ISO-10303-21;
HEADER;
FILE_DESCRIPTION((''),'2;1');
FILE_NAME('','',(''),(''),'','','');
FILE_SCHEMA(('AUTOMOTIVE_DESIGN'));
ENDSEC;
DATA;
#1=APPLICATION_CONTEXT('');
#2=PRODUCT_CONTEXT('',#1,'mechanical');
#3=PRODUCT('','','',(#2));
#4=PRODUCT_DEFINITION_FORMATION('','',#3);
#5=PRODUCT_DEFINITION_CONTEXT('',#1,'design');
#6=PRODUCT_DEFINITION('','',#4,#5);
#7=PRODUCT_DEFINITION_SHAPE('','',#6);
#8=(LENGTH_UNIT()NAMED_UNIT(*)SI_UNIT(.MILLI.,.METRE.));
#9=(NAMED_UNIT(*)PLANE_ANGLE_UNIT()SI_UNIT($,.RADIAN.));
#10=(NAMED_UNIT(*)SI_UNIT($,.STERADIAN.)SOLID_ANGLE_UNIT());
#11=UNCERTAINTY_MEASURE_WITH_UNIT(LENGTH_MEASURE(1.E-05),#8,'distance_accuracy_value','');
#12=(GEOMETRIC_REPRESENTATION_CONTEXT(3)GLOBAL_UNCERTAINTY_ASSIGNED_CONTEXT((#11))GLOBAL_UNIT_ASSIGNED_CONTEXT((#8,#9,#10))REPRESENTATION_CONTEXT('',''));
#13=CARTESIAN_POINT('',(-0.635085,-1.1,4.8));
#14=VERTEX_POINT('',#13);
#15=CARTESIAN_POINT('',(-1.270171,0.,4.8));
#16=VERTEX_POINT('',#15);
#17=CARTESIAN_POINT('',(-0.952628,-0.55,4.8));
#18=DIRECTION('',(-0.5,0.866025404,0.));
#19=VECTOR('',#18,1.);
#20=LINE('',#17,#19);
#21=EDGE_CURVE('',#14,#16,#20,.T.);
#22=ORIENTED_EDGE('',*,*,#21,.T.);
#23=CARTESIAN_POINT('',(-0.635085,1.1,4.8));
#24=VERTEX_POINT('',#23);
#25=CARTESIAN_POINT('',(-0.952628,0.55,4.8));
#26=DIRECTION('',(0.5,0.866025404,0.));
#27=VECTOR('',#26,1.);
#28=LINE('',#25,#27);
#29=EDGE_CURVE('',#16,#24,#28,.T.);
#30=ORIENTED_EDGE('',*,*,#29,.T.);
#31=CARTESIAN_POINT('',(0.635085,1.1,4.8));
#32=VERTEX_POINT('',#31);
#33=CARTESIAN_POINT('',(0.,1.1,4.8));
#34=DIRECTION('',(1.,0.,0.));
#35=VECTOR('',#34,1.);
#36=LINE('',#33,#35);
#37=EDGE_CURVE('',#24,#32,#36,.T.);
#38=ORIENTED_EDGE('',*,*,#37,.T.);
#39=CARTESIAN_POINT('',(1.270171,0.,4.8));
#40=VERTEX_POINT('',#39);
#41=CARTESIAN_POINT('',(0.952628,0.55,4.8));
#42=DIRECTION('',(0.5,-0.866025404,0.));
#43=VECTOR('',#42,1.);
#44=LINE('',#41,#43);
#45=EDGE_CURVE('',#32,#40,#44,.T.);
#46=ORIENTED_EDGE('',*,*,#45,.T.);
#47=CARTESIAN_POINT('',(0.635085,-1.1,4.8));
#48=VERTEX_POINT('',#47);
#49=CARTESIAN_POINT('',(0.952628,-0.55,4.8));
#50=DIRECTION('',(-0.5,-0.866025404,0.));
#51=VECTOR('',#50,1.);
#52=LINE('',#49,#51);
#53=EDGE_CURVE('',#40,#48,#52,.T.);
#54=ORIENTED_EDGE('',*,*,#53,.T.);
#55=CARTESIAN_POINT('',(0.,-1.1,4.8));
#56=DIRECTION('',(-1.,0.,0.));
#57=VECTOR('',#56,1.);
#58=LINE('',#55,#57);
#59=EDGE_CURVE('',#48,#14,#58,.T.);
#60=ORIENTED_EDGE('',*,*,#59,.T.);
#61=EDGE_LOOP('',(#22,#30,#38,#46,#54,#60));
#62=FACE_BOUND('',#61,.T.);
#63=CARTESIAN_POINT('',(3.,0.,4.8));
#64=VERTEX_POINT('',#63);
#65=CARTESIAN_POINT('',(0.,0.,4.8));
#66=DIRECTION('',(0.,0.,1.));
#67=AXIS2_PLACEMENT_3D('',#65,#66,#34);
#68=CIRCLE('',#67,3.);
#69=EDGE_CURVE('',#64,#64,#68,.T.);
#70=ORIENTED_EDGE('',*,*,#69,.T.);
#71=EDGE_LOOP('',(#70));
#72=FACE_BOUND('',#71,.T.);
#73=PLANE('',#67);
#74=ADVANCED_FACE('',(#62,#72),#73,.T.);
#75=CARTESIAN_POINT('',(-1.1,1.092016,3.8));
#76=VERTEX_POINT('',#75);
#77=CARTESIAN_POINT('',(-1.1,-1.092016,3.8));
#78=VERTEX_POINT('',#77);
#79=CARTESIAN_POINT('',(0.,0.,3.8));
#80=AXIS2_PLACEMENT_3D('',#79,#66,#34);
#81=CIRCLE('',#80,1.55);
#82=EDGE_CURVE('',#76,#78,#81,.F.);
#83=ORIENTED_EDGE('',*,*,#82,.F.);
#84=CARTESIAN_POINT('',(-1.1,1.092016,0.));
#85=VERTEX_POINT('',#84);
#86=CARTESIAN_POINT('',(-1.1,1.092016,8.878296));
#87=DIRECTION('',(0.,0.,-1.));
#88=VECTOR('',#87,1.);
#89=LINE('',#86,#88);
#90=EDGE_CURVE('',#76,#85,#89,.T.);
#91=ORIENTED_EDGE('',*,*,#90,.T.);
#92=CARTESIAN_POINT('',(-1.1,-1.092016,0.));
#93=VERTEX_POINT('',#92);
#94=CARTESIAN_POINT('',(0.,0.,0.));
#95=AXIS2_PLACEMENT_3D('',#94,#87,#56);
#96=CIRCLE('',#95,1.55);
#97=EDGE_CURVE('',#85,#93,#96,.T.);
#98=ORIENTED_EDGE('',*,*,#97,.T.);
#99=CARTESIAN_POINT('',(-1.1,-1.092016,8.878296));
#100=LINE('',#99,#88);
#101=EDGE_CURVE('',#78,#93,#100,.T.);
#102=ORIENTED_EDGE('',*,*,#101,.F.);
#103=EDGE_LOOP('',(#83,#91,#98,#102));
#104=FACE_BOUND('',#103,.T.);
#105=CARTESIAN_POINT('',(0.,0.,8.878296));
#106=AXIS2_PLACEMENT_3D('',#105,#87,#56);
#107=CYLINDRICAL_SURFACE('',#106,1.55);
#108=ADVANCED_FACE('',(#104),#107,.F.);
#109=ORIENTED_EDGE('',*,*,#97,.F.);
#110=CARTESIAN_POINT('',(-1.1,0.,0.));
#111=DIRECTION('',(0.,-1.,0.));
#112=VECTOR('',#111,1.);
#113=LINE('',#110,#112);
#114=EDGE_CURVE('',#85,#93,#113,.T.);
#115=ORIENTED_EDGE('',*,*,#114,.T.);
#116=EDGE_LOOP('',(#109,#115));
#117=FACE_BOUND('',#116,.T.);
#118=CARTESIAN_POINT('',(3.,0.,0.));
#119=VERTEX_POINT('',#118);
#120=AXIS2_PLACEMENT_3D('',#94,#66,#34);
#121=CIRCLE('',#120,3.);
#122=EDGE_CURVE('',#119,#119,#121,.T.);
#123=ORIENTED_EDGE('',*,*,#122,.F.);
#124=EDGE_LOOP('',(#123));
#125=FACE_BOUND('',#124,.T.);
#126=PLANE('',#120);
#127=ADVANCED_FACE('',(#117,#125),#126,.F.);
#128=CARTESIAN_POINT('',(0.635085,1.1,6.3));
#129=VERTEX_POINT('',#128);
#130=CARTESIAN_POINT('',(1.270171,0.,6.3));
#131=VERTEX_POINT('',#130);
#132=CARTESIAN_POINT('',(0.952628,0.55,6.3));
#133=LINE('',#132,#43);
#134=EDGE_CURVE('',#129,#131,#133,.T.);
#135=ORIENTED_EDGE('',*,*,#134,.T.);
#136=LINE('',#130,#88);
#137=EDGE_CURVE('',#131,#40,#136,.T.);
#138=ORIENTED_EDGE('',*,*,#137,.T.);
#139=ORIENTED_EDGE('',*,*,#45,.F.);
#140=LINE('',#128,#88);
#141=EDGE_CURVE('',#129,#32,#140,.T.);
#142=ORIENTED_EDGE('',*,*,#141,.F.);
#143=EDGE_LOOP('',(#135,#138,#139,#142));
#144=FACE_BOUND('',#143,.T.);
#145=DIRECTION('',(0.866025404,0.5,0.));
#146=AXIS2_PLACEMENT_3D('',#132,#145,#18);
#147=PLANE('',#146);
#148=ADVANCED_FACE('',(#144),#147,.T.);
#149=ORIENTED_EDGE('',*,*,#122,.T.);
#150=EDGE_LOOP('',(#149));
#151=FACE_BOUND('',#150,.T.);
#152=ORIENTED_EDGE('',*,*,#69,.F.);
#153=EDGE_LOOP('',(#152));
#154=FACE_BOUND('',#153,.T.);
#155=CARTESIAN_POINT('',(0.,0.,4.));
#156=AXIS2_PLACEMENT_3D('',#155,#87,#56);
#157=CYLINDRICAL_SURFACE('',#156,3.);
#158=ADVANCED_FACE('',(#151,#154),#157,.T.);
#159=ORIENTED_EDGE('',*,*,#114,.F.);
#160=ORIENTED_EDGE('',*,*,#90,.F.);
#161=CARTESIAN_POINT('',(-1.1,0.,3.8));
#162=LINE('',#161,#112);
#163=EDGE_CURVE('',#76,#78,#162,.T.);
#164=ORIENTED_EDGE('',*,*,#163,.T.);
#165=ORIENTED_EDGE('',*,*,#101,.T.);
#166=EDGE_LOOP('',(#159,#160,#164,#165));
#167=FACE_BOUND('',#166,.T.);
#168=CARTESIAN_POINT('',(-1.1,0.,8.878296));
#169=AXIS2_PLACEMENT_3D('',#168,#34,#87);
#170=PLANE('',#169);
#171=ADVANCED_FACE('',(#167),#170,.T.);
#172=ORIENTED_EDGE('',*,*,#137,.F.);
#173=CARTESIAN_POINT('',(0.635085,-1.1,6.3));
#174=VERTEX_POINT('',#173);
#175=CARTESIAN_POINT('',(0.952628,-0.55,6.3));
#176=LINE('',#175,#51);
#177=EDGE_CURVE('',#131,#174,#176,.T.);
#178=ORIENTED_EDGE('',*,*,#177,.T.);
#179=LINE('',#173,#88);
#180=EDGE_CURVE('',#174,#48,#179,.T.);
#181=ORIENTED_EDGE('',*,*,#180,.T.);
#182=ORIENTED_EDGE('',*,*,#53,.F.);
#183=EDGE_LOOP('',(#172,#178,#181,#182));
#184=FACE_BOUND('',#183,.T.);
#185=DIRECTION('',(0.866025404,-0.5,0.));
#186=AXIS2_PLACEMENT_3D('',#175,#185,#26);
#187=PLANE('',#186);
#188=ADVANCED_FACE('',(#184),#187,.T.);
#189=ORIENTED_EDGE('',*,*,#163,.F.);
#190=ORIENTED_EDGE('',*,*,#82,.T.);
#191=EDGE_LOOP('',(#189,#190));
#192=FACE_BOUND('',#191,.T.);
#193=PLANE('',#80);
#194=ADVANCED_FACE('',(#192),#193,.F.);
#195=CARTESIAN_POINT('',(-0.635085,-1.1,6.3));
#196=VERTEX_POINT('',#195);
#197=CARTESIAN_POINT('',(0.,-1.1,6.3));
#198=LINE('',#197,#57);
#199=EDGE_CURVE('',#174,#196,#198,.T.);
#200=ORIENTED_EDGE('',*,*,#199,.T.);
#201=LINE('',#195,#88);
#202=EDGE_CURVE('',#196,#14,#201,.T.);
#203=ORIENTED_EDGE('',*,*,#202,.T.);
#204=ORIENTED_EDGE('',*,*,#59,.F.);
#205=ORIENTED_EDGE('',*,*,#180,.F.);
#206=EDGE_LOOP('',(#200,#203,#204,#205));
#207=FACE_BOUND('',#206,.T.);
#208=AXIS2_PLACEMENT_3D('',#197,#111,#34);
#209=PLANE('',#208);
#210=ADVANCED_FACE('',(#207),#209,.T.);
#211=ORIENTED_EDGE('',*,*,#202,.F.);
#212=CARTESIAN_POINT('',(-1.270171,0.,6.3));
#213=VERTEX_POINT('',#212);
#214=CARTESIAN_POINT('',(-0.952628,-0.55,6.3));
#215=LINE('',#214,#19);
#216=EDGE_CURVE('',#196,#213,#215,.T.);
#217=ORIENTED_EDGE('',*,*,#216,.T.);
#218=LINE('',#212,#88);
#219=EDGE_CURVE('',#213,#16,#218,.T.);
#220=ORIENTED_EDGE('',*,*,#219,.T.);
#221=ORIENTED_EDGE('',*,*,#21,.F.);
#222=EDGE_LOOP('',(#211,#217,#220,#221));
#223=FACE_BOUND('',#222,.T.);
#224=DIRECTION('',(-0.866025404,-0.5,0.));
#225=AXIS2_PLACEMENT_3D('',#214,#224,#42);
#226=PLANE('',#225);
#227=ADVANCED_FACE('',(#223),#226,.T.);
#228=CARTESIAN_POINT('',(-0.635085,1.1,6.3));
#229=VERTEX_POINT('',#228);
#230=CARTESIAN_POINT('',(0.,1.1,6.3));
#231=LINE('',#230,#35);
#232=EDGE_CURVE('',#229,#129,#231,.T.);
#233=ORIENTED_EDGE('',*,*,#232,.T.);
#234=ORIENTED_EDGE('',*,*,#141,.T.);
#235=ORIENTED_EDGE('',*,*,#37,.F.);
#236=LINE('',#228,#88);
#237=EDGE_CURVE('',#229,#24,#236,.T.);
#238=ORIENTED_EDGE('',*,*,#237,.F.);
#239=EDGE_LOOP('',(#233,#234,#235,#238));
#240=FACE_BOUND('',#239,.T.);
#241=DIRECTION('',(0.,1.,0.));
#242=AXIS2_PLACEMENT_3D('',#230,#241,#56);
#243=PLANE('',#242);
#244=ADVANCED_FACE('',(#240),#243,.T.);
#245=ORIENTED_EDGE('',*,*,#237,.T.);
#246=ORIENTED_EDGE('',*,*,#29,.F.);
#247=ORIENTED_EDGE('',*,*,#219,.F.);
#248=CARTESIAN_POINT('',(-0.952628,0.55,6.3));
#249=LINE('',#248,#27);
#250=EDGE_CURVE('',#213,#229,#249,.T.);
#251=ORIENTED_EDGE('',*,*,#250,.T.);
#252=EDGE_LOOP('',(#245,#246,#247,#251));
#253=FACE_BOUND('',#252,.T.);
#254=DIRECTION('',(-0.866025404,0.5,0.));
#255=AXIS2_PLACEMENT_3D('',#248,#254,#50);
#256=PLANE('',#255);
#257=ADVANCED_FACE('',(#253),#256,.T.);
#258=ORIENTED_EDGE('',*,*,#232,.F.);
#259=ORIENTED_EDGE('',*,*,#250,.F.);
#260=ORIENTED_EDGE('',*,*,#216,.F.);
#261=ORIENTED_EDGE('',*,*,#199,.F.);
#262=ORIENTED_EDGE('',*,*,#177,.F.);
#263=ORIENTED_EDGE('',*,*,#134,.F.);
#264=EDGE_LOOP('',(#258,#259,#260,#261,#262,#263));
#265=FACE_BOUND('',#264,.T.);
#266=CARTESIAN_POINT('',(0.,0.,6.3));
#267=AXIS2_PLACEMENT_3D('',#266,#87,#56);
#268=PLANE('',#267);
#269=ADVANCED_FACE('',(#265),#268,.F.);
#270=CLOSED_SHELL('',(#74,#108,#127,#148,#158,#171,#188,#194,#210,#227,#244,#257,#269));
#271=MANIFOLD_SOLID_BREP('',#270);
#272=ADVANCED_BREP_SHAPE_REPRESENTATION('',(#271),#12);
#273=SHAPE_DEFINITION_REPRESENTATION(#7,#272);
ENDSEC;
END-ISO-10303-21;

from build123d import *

# Parameters (mm, degrees)
SKETCH_1_R               = 3
SKETCH_1_R_2             = 1.65
EXTRUDE_1_DEPTH          = 4
CUT_EXTRUDE_2_DEPTH      = 6.830951895
PATTERN_CIRCULAR_1_COUNT = 9
SKETCH_2_R               = 3
EXTRUDE_2_DEPTH          = 0.8
EXTRUDE_START            = 0.8
EXTRUDE_3_DEPTH          = 1.5
EXTRUDE_START_2          = -4
SKETCH_2_4_R             = 3
EXTRUDE_4_DEPTH          = 4
CUT_EXTRUDE_3_DEPTH      = 3.8


with BuildPart() as part:
    # 草图1 → 凸台-拉伸1 (new body)
    with BuildSketch(Plane.XY):
        Circle(SKETCH_1_R)
        Circle(SKETCH_1_R_2, mode=Mode.SUBTRACT)
    extrude(amount=EXTRUDE_1_DEPTH)

    # 草图1<3> → 切除-拉伸2 (cut, through all)
    with BuildSketch(Plane.XY):
        with BuildLine():
            Line((1.583201231, 0.595370355), (1.54440693, 0.580781573))
            ThreePointArc((1.54440693, 0.580781573), (1.623387112, 0.295151288), (1.65, 0))
            ThreePointArc((1.65, 0), (1.623387112, -0.295151288), (1.54440693, -0.580781573))
            Line((1.54440693, -0.580781573), (1.583201231, -0.595370355))
            add(Edge.make_bspline(
                [(1.583201231, -0.595370355), (1.595268082, -0.599908151), (1.629927649, -0.609960022), (1.698544644, -0.618780808), (1.810680065, -0.617601716), (1.954246735, -0.59352555), (2.132298369, -0.536822163), (2.302941373, -0.452472776), (2.42578745, -0.372108406), (2.505673341, -0.310927028), (2.533645284, -0.288342805)],
                knots=[0, 0, 0, 0, 0, 0.005604068, 0.015718248, 0.029959916, 0.048733667, 0.068727063, 0.096888892, 0.112551479, 0.112551479, 0.112551479, 0.112551479, 0.112551479], degree=4))
            ThreePointArc((2.533645284, -0.288342805), (2.545908038, -0.144403125), (2.55, 0))
            ThreePointArc((2.55, 0), (2.545908038, 0.144403125), (2.533645284, 0.288342805))
            add(Edge.make_bspline(
                [(1.583201231, 0.595370355), (1.595268082, 0.599908151), (1.629927649, 0.609960022), (1.698544644, 0.618780808), (1.810680065, 0.617601716), (1.954246735, 0.59352555), (2.132298369, 0.536822163), (2.302941373, 0.452472776), (2.42578745, 0.372108406), (2.505673341, 0.310927028), (2.533645284, 0.288342805)],
                knots=[0, 0, 0, 0, 0, 0.005604068, 0.015718248, 0.029959916, 0.048733667, 0.068727063, 0.096888892, 0.112551479, 0.112551479, 0.112551479, 0.112551479, 0.112551479], degree=4))
        make_face()
    cut_extrude_2 = extrude(amount=CUT_EXTRUDE_2_DEPTH, mode=Mode.SUBTRACT)

    # 阵列(圆周)1: 切除-拉伸2 ×9 about axis
    pattern_circular_1_axis = Axis((0, 0, 4), (0, 0, 1))
    for i in range(1, PATTERN_CIRCULAR_1_COUNT):
        add(cut_extrude_2.rotate(pattern_circular_1_axis, i * 360 / PATTERN_CIRCULAR_1_COUNT), mode=Mode.SUBTRACT)

    # 草图2 → 凸台-拉伸2 (add)
    with BuildSketch(Plane.XY.offset(4)):
        Circle(SKETCH_2_R)
    extrude(amount=EXTRUDE_2_DEPTH)

    # 草图2<3> → 凸台-拉伸3 (add)
    with BuildSketch(Plane.XY.offset(4).offset(EXTRUDE_START)):
        Polygon((0.635085296, 1.1), (-0.635085296, 1.1), (-1.270170592, 0), (-0.635085296, -1.1), (0.635085296, -1.1), (1.270170592, 0), align=None)
    extrude(amount=EXTRUDE_3_DEPTH)

    # 草图2<4> → 凸台-拉伸4 (add)
    with BuildSketch(Plane.XY.offset(4).offset(EXTRUDE_START_2)):
        Circle(SKETCH_2_4_R)
    extrude(amount=EXTRUDE_4_DEPTH)

    # 草图3 → 切除-拉伸3 (cut)
    with BuildSketch(Plane(origin=(0, 0, 0), x_dir=(-1, 0, 0), z_dir=(0, 0, -1))):
        with BuildLine():
            Line((1.1, -1.092016483), (1.1, 1.092016483))
            ThreePointArc((1.1, 1.092016483), (-1.55, 0), (1.1, -1.092016483))
        make_face()
    extrude(amount=-CUT_EXTRUDE_3_DEPTH, mode=Mode.SUBTRACT)


solid = part.part
